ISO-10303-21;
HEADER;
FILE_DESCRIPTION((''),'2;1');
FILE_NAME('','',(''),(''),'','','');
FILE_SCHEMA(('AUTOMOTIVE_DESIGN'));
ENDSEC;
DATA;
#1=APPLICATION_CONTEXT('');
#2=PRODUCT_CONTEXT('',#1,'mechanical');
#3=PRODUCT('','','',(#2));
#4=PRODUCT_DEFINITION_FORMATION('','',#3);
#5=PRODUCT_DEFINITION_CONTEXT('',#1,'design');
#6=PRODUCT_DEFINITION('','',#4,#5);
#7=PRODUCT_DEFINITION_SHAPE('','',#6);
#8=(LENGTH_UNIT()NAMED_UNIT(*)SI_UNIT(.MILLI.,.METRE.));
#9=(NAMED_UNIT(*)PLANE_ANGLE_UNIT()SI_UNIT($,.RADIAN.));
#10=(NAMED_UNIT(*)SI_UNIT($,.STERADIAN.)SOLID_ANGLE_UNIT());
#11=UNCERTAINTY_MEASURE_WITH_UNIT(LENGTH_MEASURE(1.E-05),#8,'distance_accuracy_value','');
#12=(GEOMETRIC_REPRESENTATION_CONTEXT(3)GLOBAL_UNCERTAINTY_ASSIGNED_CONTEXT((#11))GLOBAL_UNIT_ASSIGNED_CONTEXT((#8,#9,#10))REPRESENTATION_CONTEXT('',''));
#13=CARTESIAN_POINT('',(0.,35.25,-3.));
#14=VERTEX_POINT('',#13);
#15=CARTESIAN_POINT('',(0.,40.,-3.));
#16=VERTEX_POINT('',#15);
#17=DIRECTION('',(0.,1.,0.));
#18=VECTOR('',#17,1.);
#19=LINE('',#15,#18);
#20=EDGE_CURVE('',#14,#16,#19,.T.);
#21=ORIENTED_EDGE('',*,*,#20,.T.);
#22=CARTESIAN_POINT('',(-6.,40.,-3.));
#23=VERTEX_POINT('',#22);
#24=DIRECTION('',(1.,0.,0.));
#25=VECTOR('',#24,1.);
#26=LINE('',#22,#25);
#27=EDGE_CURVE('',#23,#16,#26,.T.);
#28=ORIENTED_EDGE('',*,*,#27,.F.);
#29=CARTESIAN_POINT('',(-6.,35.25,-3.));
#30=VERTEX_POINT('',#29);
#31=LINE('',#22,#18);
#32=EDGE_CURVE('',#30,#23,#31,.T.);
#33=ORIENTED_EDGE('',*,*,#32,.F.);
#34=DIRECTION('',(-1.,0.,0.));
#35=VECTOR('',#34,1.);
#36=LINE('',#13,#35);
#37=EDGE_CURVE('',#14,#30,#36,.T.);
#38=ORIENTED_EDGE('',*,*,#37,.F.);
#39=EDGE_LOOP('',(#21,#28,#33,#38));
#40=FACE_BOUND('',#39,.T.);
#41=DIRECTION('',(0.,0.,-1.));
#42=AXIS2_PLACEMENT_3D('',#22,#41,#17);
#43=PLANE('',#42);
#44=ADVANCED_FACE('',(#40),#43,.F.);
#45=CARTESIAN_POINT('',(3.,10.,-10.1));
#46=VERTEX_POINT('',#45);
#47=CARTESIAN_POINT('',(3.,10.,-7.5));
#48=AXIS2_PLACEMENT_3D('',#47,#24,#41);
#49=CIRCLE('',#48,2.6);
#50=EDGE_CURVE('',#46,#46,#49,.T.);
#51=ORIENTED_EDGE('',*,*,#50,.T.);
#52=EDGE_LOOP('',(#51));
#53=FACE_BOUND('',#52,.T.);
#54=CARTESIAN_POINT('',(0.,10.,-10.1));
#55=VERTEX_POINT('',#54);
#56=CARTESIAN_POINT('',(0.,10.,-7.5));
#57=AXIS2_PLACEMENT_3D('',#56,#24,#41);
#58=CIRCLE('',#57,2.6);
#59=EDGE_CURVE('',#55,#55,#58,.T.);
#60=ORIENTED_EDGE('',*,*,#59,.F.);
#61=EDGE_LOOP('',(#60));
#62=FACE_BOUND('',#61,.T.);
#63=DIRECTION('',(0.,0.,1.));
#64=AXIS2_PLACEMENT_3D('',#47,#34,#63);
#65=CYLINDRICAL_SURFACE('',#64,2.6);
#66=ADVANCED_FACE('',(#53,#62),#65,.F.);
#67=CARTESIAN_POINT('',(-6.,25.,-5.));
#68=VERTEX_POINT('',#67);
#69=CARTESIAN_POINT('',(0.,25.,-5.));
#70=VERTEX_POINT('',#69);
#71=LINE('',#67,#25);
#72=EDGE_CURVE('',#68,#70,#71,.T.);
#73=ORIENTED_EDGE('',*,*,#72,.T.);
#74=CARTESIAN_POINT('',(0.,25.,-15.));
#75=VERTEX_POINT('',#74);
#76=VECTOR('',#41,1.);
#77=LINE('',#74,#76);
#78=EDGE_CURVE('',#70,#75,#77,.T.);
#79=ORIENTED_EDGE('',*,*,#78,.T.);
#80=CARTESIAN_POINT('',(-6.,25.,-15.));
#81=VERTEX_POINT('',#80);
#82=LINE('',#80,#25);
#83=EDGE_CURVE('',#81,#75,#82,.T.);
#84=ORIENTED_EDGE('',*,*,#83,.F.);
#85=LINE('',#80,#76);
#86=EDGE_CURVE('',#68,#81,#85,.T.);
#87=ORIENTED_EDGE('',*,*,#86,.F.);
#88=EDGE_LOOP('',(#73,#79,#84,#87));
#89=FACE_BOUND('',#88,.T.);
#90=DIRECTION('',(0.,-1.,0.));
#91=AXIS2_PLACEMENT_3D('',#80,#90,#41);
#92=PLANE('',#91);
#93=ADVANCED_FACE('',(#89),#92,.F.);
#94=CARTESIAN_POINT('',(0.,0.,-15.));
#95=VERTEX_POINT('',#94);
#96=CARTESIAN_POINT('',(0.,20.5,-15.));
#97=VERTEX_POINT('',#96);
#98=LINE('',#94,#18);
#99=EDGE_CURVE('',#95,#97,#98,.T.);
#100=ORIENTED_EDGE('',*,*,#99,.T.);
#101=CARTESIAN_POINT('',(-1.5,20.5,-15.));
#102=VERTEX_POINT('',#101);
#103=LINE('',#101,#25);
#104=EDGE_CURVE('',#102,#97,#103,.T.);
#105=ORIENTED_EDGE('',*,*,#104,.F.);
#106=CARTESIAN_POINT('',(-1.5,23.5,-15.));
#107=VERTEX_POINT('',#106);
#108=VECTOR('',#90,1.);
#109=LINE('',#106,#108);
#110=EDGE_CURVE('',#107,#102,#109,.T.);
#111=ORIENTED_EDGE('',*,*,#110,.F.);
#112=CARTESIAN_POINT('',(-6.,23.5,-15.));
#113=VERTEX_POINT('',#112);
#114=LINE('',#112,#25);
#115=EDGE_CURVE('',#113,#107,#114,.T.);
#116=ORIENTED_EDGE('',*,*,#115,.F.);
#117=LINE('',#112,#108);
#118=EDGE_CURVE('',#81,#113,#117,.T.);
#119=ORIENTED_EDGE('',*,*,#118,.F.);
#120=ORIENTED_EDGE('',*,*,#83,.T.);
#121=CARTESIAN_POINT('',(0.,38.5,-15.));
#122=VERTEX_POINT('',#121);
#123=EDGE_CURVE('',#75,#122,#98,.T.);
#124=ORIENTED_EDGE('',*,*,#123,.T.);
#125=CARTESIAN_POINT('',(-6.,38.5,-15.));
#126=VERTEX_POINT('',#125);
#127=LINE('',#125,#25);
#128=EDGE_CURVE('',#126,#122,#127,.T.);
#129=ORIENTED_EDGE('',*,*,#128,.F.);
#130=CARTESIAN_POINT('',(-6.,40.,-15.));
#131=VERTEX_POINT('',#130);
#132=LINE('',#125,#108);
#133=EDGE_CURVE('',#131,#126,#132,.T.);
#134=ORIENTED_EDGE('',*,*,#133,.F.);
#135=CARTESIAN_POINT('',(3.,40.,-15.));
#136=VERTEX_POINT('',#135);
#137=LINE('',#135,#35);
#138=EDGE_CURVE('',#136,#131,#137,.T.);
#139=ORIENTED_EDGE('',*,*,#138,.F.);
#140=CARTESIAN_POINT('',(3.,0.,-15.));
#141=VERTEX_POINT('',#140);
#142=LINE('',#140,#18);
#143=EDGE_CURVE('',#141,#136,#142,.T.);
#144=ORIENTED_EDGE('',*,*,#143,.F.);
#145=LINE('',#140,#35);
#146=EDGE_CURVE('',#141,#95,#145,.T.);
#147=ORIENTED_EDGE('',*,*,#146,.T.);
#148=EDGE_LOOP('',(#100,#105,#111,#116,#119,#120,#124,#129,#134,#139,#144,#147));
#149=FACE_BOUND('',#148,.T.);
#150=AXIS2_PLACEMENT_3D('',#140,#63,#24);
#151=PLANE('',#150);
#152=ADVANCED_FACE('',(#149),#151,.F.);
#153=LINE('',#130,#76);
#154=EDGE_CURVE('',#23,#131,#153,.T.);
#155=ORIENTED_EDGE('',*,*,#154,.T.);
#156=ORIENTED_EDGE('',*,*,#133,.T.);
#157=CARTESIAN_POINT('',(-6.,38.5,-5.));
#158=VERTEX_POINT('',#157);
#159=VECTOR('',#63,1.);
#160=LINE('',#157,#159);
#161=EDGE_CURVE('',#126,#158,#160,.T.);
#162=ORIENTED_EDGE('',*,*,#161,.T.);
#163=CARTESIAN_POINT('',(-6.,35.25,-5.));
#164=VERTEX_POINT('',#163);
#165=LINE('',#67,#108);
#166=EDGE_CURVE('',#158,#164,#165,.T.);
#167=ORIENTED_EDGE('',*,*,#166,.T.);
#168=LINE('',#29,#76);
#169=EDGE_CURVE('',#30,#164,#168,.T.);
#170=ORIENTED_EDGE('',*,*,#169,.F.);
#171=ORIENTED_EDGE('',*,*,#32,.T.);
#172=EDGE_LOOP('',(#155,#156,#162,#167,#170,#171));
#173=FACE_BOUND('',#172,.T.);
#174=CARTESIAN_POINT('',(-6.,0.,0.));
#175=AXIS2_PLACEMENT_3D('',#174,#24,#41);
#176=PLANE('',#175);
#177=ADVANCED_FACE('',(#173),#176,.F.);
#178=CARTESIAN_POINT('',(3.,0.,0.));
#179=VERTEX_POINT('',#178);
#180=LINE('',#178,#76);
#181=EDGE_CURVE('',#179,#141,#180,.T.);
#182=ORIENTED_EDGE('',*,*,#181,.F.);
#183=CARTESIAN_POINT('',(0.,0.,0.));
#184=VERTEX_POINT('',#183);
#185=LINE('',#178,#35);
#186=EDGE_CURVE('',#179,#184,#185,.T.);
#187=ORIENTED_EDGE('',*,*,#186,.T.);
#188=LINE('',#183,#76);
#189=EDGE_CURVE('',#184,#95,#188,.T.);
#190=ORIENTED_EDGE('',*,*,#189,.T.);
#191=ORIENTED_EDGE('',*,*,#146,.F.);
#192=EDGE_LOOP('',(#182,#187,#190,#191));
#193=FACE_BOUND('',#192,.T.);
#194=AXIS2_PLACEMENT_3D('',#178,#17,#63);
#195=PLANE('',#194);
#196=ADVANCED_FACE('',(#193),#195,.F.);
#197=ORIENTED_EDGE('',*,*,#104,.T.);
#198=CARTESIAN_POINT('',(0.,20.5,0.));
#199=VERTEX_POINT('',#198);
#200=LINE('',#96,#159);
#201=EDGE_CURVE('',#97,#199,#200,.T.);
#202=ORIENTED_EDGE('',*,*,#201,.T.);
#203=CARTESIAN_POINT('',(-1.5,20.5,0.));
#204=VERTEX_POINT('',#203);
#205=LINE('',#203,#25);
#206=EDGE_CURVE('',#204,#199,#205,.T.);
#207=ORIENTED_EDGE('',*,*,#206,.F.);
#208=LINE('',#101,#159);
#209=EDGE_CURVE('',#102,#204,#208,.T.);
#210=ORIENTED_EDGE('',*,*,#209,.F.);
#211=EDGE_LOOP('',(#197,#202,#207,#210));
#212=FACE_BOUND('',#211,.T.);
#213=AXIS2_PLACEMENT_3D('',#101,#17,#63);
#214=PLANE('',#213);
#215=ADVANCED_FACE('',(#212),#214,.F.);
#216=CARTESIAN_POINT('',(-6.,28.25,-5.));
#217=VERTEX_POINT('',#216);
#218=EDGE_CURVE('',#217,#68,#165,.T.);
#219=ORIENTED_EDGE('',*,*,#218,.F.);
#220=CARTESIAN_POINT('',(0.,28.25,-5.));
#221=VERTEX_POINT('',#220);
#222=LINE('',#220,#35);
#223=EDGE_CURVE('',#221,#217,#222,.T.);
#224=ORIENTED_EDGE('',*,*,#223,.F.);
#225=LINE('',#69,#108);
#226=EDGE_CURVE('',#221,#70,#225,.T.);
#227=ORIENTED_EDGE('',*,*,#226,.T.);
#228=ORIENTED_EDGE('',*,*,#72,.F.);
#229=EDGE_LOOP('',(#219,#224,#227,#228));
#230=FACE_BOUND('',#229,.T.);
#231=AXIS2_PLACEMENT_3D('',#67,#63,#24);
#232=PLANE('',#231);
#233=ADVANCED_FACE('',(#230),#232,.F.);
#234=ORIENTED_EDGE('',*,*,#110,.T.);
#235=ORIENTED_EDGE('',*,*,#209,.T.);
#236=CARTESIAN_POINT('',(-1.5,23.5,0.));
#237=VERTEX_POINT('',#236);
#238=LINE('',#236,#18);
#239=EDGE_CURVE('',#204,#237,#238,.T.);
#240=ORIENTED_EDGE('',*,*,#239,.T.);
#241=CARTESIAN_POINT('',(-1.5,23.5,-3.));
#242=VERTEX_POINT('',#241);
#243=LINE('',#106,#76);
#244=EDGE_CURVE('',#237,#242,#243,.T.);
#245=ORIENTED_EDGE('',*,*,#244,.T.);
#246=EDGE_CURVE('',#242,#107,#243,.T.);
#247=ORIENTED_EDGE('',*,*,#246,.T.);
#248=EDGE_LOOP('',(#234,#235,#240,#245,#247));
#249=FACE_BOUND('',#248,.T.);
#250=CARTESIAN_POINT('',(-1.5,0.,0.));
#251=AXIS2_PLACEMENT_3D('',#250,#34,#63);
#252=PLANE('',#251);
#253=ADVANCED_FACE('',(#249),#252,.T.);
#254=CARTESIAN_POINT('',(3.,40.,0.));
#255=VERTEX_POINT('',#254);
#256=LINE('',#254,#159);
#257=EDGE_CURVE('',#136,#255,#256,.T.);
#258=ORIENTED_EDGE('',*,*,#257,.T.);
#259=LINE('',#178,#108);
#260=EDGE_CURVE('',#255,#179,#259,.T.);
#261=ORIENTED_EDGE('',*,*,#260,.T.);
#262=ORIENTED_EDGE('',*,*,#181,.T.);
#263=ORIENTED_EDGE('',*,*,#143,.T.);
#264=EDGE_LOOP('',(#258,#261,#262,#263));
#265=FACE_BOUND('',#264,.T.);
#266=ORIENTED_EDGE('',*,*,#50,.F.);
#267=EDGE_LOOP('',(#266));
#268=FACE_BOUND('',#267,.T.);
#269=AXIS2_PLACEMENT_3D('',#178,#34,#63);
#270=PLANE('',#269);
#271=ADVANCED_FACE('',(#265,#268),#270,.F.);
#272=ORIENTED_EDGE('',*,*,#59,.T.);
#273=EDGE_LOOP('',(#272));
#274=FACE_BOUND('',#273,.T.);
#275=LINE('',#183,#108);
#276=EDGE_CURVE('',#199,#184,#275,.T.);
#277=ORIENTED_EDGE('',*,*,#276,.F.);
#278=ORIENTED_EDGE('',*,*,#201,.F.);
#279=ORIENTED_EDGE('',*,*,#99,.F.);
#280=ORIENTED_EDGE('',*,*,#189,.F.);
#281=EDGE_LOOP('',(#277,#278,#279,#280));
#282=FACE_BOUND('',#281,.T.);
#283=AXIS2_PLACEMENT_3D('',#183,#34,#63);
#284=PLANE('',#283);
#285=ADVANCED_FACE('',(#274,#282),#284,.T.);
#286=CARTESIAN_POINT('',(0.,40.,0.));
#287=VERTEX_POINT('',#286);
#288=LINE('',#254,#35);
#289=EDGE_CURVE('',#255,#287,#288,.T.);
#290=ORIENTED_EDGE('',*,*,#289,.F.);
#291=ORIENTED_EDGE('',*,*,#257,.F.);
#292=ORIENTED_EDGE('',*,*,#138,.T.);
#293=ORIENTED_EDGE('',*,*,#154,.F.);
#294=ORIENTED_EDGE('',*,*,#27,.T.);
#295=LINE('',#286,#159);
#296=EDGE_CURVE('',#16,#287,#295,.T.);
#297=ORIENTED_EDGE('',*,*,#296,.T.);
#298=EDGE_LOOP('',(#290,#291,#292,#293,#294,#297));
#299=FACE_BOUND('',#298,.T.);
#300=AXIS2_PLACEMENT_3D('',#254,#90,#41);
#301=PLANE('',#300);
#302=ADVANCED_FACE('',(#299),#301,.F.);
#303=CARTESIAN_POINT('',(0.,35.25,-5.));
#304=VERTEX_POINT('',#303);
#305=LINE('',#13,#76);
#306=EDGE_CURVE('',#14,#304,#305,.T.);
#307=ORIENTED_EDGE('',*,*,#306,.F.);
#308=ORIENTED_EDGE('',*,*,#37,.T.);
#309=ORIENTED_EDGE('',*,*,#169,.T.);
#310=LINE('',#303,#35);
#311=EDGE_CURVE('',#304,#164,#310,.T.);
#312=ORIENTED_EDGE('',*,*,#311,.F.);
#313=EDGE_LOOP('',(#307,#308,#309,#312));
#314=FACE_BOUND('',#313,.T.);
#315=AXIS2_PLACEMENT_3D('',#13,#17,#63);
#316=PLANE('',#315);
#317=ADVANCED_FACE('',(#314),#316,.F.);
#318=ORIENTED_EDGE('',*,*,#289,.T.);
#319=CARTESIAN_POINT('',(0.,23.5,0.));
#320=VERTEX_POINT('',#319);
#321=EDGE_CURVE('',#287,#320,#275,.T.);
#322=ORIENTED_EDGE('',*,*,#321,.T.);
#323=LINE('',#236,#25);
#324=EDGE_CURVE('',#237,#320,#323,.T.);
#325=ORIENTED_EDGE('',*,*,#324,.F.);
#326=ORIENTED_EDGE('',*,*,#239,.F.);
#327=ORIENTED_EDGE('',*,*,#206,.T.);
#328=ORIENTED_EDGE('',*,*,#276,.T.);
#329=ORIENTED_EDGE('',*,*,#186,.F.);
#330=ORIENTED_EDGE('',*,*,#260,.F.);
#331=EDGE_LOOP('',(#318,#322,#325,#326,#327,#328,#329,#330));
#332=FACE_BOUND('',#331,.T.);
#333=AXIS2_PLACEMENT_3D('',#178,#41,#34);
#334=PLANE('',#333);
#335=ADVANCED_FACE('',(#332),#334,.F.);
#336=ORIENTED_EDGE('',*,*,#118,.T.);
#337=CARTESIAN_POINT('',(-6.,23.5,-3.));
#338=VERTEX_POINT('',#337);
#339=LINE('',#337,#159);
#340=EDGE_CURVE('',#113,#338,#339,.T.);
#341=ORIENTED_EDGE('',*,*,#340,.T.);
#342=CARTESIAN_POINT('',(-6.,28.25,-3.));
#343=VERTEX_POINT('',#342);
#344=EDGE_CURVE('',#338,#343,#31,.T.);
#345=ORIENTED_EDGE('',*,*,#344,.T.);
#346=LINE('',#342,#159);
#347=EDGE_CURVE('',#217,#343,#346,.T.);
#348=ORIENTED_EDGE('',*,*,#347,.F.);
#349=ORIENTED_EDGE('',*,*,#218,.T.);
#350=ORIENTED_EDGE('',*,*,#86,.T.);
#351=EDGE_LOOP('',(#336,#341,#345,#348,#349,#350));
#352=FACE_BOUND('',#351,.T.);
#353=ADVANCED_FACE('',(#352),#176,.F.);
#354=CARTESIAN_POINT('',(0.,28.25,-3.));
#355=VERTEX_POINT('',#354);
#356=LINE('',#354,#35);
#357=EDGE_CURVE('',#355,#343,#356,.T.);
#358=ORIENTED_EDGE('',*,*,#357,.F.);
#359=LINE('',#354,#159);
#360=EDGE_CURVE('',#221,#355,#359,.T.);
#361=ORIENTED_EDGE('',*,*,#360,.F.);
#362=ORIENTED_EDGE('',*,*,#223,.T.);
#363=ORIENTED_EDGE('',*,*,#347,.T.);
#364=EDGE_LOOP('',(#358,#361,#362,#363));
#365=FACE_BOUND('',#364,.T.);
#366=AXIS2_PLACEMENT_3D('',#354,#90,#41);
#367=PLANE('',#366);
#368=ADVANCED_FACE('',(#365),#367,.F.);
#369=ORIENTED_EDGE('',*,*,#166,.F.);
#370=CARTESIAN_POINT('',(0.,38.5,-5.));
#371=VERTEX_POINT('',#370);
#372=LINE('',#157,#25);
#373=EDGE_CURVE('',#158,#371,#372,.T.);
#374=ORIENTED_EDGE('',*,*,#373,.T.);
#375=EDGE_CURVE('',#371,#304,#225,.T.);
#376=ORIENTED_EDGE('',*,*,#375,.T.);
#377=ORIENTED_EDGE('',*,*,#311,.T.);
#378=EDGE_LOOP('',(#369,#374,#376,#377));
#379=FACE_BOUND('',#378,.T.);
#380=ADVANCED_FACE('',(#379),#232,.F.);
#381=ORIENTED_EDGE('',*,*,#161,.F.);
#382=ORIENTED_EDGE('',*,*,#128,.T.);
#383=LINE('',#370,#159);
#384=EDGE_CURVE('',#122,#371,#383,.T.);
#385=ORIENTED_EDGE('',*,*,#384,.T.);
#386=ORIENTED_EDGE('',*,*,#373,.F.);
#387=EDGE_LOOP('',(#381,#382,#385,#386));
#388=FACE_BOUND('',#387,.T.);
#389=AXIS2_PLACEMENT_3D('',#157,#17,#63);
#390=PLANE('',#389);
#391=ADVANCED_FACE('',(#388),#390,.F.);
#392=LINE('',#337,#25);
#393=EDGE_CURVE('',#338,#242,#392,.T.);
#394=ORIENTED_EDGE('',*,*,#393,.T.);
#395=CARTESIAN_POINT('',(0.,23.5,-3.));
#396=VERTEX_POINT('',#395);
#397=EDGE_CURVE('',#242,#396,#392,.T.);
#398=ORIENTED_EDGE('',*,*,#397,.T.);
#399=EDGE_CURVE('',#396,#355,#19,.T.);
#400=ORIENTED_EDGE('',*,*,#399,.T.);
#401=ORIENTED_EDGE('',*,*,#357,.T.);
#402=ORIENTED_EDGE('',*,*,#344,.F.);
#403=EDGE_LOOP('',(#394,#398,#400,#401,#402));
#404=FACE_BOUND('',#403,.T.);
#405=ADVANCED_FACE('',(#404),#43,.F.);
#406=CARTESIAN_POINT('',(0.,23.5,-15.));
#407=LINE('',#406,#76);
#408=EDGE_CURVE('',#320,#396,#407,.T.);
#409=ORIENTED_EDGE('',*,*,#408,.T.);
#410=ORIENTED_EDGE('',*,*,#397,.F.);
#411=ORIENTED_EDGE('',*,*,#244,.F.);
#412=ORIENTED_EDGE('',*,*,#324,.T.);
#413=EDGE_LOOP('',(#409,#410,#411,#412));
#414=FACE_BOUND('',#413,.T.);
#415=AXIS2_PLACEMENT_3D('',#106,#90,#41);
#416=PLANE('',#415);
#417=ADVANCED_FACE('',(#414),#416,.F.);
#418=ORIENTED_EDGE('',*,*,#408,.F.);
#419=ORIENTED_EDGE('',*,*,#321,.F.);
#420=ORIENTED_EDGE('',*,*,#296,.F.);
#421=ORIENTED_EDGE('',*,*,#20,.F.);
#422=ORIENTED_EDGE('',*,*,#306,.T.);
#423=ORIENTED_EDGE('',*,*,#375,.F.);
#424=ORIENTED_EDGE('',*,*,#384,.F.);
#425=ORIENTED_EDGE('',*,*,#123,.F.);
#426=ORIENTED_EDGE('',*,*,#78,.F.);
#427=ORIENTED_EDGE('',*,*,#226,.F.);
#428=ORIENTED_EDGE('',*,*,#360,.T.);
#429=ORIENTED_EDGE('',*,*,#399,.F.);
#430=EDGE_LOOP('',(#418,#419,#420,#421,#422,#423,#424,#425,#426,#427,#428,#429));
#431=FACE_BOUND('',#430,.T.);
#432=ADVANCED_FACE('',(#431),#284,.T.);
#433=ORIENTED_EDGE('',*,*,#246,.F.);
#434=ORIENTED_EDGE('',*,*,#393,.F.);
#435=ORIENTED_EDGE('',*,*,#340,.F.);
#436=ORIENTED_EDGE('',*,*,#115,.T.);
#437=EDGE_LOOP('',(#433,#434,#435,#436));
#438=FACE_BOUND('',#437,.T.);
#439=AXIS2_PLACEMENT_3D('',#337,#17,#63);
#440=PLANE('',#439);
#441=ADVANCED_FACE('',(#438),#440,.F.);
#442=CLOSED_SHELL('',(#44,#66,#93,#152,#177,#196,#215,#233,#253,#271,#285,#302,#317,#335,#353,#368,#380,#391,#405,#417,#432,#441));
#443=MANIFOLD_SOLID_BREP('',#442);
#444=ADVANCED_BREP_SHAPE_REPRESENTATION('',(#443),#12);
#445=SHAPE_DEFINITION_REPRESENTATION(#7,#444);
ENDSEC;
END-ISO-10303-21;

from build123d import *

# Parameters (mm, degrees)
SKETCH1_W           = 15
SKETCH1_H           = 40
SKETCH1_R           = 2.6
BOSS_EXTRUDE1_DEPTH = 3
SKETCH2_W           = 15
SKETCH2_H           = 3
BOSS_EXTRUDE2_DEPTH = 1.5
BOSS_EXTRUDE3_DEPTH = 6
SKETCH4_W           = 2
SKETCH4_H           = 7
CUT_EXTRUDE1_DEPTH  = 6


with BuildPart() as part:
    # Sketch1 → Boss-Extrude1 (new body)
    with BuildSketch(Plane(origin=(0, 0, 0), x_dir=(0, 0, -1), z_dir=(1, 0, 0))):
        with Locations((7.5, 20)):
            Rectangle(SKETCH1_W, SKETCH1_H)
        with Locations((7.5, 10)):
            Circle(SKETCH1_R, mode=Mode.SUBTRACT)
    extrude(amount=BOSS_EXTRUDE1_DEPTH)

    # Sketch2 → Boss-Extrude2 (add)
    with BuildSketch(Plane.ZY):
        with Locations((-7.5, 22)):
            Rectangle(SKETCH2_W, SKETCH2_H)
    extrude(amount=BOSS_EXTRUDE2_DEPTH)

    # Sketch3 → Boss-Extrude3 (add)
    with BuildSketch(Plane.ZY):
        Polygon((-15, 25), (-5, 25), (-5, 38.5), (-15, 38.5), (-15, 40), (-3, 40), (-3, 23.5), (-15, 23.5), align=None)
    extrude(amount=BOSS_EXTRUDE3_DEPTH)

    # Sketch4 → Cut-Extrude1 (cut)
    with BuildSketch(Plane.ZY.offset(6)):
        with Locations((-4, 31.75)):
            Rectangle(SKETCH4_W, SKETCH4_H)
    extrude(amount=-CUT_EXTRUDE1_DEPTH, mode=Mode.SUBTRACT)


solid = part.part
